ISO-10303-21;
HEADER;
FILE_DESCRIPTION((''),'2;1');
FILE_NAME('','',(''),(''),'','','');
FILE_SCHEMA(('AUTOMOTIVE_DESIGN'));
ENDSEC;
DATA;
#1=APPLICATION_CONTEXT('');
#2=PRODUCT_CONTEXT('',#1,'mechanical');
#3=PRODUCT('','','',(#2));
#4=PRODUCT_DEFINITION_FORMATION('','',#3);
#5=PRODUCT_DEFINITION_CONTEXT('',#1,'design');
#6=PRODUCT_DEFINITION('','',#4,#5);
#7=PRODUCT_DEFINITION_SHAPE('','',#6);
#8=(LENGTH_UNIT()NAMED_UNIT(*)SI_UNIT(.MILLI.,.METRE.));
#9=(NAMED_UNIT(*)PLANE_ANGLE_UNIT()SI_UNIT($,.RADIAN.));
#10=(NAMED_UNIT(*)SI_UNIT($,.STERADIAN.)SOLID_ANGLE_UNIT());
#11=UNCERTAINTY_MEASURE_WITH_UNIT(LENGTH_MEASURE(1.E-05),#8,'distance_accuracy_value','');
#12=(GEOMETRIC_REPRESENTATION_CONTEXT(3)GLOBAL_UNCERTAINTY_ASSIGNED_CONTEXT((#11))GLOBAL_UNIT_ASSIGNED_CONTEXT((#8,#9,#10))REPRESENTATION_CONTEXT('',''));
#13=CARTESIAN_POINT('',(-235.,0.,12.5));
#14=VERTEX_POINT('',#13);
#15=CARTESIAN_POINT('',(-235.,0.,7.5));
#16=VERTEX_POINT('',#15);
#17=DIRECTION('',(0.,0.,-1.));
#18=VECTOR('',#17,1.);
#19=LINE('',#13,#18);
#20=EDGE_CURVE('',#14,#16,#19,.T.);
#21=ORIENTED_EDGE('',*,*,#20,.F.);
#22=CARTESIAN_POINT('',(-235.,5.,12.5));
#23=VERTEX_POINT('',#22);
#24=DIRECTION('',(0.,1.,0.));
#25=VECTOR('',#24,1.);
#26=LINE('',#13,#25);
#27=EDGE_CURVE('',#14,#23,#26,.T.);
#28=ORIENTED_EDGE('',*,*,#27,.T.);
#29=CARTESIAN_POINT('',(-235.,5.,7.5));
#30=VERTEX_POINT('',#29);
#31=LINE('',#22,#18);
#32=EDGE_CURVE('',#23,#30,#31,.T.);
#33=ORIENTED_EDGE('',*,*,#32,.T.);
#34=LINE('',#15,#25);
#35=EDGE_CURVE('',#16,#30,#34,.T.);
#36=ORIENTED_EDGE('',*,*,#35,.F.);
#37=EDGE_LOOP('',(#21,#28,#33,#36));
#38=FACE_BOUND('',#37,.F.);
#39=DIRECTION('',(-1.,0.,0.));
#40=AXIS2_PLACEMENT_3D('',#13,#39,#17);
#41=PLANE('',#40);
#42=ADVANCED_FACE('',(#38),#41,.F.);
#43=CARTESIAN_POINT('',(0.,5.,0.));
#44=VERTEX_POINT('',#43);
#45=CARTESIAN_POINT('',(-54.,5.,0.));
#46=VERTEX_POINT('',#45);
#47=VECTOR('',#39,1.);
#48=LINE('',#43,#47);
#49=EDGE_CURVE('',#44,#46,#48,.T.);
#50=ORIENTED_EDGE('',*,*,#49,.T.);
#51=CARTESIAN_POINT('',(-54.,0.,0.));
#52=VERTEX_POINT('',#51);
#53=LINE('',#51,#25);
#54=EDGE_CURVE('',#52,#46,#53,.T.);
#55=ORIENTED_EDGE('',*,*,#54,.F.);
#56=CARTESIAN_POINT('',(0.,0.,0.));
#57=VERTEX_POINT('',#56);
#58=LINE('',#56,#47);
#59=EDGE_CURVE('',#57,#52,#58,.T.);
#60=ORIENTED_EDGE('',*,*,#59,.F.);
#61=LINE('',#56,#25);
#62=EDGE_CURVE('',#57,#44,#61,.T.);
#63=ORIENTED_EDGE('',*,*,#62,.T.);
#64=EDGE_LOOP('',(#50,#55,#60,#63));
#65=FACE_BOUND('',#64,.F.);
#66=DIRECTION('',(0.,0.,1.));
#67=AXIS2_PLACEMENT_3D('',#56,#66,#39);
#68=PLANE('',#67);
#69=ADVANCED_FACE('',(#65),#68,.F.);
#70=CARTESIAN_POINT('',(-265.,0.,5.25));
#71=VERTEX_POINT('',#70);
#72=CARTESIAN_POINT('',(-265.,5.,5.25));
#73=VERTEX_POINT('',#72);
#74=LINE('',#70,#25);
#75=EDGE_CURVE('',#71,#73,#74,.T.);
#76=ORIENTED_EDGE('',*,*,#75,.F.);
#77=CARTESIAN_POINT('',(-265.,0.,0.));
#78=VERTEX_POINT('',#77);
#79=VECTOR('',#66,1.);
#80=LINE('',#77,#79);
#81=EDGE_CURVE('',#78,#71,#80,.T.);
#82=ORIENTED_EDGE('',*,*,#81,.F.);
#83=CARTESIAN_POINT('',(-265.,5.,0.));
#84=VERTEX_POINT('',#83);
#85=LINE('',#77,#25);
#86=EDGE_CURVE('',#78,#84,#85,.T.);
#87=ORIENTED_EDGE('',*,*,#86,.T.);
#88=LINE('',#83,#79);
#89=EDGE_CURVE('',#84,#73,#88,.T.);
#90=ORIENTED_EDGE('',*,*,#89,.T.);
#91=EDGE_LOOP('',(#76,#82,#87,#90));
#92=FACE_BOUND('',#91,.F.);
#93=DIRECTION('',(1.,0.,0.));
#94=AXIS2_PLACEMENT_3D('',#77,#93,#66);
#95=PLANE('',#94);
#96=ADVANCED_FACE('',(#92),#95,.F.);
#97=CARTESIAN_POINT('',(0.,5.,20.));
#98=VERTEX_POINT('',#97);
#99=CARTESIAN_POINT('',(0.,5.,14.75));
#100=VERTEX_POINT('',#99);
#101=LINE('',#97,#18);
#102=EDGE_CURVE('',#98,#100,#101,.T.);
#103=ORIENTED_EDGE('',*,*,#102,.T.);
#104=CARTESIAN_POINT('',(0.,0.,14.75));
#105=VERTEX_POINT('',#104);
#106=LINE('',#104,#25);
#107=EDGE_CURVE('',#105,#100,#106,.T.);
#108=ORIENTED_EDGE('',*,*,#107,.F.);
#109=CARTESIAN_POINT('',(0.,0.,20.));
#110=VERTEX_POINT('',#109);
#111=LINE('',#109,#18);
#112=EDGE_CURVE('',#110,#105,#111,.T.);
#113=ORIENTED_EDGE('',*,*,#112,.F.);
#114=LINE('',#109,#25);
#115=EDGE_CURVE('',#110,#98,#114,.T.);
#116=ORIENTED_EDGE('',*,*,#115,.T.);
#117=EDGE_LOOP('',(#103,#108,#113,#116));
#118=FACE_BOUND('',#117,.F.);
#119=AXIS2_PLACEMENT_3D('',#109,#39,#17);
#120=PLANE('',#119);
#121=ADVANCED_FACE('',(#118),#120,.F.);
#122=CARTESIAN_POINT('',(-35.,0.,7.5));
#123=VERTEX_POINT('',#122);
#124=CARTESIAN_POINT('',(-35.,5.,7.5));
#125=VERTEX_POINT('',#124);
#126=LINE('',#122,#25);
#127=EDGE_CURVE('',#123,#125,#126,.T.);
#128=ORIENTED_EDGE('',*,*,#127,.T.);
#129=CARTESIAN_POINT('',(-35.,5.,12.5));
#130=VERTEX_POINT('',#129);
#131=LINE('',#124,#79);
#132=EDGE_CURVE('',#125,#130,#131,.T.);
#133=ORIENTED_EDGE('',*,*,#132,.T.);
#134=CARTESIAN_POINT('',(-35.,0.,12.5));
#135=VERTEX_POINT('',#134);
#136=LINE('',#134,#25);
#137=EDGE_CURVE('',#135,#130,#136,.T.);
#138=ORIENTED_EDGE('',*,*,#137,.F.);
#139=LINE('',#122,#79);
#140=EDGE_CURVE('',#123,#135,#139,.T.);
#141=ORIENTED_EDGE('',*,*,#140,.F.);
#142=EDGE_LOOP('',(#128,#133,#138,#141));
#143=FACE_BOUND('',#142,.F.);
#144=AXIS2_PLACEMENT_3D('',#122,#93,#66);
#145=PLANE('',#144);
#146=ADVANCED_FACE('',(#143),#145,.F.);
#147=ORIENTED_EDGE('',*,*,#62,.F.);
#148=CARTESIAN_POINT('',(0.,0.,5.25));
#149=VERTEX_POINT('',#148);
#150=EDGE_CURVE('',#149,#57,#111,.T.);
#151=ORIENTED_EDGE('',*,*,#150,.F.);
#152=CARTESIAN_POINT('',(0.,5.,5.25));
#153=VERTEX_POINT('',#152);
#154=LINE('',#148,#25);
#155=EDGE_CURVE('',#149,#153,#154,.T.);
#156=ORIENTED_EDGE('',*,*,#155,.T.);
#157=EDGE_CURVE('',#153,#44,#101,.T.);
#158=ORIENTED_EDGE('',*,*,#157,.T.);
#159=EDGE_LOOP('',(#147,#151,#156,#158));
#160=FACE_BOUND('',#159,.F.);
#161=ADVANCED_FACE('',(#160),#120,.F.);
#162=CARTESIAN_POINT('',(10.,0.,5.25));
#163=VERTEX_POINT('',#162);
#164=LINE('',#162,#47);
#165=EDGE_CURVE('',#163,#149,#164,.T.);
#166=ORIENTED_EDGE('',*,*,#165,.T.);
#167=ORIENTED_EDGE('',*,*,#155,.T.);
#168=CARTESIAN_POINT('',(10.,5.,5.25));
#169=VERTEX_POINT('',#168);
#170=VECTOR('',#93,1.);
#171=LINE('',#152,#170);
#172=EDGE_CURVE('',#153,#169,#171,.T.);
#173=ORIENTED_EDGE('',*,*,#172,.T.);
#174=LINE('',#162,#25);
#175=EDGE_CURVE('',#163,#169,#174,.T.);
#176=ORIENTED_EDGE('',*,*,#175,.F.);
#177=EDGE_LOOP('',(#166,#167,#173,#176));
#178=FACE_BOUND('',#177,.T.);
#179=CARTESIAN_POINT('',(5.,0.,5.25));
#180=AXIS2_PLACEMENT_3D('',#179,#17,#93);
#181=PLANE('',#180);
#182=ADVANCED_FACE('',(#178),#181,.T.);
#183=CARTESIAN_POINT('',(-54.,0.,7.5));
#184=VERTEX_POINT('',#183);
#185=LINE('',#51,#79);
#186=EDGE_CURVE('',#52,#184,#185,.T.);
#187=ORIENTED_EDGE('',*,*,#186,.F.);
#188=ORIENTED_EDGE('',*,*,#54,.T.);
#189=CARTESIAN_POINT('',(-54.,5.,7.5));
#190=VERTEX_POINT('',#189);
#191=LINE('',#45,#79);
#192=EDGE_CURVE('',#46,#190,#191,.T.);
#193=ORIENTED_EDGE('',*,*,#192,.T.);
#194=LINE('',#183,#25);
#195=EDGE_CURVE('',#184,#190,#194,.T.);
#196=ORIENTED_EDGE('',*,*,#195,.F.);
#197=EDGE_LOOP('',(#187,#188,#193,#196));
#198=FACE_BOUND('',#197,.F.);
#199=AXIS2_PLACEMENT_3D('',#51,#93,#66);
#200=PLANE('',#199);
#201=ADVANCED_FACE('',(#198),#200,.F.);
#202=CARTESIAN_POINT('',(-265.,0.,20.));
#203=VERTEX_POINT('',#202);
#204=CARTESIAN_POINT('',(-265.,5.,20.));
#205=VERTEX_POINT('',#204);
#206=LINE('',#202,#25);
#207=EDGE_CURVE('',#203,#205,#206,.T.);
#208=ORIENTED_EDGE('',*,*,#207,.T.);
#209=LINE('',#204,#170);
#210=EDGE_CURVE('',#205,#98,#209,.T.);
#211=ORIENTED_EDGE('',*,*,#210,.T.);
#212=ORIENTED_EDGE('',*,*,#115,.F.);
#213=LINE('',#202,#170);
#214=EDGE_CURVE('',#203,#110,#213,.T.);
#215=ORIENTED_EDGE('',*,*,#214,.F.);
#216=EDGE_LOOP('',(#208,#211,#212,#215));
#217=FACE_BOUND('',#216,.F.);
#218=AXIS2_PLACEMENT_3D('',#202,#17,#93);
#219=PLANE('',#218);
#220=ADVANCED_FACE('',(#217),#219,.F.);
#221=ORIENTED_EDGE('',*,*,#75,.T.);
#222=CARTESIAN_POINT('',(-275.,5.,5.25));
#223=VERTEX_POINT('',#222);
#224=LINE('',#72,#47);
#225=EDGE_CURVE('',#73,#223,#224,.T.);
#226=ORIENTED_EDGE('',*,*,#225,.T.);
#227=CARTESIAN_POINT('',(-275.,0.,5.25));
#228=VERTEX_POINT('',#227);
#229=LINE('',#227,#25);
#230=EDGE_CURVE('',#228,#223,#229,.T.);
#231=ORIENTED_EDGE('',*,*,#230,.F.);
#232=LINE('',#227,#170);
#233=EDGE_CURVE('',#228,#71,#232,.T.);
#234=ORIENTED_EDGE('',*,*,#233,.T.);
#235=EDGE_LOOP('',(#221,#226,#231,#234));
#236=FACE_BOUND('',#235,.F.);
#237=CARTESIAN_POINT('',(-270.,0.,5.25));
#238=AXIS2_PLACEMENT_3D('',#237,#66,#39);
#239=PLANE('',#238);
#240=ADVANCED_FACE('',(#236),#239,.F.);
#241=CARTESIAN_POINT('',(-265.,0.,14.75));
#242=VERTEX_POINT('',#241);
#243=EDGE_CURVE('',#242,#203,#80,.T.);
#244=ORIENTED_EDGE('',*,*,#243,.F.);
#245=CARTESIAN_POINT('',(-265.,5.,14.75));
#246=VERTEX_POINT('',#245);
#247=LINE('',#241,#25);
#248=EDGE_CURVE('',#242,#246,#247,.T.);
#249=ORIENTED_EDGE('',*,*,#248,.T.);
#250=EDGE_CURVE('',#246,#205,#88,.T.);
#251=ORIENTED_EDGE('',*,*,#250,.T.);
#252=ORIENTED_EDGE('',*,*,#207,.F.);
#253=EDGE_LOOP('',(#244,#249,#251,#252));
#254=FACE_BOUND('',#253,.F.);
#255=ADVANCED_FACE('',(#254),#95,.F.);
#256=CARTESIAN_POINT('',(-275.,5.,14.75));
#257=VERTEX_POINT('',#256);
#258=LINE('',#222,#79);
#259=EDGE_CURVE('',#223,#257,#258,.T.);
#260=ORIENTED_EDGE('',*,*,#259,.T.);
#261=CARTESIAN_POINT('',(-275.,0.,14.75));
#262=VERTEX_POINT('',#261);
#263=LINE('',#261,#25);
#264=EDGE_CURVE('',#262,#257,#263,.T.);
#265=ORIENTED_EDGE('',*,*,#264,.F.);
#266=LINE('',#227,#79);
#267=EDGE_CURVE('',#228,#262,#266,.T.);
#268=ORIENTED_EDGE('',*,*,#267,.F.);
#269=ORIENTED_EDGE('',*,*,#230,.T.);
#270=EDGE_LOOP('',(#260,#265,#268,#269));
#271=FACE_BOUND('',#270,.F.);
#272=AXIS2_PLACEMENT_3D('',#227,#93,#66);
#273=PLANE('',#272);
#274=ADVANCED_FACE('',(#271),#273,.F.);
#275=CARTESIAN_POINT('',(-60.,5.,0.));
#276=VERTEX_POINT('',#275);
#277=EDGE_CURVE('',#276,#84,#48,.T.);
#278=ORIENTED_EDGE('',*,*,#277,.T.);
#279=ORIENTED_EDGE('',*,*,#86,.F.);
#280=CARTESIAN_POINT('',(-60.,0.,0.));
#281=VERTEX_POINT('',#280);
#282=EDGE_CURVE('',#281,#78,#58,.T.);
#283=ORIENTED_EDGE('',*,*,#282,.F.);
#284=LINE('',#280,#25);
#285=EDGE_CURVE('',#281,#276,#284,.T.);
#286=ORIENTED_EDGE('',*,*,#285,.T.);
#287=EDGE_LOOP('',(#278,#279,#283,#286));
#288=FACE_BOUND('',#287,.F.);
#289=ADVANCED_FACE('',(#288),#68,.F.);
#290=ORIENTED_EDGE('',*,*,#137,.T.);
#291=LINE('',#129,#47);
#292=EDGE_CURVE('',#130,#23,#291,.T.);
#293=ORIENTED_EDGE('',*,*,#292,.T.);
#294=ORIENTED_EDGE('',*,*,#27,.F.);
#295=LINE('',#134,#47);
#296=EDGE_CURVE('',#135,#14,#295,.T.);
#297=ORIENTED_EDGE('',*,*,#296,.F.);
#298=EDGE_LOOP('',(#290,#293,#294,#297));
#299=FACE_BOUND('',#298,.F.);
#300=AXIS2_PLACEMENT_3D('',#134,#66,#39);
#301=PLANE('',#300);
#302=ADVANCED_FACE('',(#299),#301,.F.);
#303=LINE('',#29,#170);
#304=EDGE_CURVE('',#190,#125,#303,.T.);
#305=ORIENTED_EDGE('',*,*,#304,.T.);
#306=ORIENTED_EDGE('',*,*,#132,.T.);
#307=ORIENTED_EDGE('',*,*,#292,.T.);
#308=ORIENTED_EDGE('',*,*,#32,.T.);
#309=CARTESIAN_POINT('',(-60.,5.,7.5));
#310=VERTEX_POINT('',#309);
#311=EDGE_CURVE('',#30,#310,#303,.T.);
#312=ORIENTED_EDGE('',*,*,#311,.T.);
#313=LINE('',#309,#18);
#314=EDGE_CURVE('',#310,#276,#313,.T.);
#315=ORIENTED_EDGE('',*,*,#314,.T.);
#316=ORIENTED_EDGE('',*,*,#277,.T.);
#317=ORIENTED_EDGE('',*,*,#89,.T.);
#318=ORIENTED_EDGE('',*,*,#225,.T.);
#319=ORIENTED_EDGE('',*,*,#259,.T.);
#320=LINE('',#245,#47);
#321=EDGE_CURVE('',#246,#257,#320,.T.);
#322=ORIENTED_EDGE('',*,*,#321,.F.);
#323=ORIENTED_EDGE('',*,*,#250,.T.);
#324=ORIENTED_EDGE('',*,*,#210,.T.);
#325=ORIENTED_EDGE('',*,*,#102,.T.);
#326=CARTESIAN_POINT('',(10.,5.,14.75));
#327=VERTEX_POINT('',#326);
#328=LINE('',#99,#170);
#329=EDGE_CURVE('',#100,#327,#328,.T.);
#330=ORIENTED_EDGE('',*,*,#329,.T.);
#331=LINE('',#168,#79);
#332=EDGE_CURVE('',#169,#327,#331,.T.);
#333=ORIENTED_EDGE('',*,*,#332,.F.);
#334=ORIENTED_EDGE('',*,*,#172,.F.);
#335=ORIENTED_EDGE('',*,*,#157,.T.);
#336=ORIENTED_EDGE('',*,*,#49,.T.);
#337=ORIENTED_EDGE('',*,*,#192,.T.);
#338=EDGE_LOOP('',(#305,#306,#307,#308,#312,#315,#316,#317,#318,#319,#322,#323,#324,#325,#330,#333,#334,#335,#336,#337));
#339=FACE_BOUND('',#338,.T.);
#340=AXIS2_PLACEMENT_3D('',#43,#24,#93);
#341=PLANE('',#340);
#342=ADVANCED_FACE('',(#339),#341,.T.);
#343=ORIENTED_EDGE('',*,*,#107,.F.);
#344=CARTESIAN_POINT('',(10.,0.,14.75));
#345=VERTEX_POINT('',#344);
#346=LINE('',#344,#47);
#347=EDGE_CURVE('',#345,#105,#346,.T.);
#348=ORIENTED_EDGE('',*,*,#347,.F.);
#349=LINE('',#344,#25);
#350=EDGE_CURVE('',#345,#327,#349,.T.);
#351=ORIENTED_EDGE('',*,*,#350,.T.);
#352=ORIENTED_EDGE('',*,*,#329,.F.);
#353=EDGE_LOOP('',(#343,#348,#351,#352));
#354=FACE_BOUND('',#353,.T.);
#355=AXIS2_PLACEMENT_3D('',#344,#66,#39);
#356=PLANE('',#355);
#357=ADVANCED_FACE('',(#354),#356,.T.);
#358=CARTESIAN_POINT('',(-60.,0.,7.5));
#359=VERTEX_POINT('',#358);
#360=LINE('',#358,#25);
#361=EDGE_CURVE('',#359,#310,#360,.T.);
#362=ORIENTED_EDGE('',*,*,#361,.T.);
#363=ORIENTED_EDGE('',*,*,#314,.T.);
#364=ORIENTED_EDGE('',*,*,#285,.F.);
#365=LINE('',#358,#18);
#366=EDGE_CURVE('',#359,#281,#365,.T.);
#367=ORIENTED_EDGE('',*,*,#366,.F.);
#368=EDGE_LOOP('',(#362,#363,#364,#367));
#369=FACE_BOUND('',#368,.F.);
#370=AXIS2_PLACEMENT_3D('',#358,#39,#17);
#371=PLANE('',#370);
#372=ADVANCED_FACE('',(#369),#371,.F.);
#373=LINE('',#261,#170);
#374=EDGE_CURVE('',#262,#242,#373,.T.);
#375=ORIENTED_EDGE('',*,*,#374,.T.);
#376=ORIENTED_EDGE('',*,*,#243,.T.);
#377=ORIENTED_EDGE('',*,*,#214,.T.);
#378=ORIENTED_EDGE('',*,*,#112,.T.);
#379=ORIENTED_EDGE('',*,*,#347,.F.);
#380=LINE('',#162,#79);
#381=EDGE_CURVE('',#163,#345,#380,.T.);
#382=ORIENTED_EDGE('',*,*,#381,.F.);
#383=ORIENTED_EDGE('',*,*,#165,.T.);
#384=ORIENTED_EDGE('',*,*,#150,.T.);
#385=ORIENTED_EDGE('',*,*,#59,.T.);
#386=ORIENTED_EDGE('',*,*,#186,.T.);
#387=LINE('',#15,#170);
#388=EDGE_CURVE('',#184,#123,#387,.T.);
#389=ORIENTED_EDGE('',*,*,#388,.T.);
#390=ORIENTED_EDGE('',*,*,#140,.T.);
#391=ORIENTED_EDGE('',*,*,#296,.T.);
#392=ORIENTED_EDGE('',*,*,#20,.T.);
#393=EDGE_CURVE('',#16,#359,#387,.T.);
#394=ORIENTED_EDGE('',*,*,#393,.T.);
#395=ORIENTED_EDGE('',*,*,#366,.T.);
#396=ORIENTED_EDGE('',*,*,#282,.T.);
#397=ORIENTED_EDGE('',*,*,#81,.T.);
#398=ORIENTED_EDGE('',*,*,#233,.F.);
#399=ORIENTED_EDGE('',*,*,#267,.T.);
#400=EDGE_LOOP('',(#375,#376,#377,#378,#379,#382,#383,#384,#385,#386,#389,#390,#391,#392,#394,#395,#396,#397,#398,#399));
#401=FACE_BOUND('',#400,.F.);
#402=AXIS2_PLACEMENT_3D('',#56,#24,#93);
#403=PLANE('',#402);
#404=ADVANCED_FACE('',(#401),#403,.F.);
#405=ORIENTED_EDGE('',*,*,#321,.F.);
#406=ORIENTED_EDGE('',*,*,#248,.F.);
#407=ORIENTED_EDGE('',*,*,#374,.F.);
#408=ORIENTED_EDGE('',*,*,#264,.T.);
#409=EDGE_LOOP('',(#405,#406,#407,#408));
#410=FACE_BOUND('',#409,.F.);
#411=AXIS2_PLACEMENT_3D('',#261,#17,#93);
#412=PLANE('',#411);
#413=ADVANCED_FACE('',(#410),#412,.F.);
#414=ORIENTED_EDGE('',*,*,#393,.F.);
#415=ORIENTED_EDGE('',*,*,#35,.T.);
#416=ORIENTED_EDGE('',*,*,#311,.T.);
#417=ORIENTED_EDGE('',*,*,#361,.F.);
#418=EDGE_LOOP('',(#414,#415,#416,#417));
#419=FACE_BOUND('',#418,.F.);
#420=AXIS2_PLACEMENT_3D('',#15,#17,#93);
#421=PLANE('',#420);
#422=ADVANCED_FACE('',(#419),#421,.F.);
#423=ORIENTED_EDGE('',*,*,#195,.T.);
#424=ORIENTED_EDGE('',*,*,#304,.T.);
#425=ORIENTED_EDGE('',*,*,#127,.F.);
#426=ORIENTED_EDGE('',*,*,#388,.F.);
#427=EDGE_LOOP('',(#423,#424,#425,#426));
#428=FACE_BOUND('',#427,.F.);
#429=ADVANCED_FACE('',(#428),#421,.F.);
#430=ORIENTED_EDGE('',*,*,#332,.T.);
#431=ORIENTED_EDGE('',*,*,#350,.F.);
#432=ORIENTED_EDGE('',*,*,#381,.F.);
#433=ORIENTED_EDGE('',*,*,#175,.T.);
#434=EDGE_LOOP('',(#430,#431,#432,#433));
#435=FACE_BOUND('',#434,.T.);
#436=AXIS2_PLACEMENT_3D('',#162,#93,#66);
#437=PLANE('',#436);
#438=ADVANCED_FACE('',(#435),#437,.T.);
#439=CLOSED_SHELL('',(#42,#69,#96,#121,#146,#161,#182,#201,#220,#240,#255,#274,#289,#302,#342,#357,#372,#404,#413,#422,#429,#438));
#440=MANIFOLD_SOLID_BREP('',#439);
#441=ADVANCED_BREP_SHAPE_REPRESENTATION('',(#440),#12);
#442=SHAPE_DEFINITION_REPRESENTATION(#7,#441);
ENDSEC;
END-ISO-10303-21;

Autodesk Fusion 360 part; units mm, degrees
sketch "Sketch1" plane through (0, 0, 0) normal (0, 1, 0) x (1, 0, 0)
  line L0 (0, 0) -> (-265, 0)
  line L1 (-265, 0) -> (-265, -20)
  line L2 (-265, -20) -> (0, -20)
  line L3 (0, -20) -> (0, 0)
  dimension "d1" = 265
  dimension "d2" = 20
extrude "Extrude1" add sketch "Sketch1" along normal blind 5
sketch "Sketch3" plane through (0, 0, 0) normal (0, 1, 0) x (1, 0, 0)
  line L0 (-235, -7.5) -> (-35, -7.5)
  line L1 (-35, -7.5) -> (-35, -12.5)
  line L2 (-35, -12.5) -> (-235, -12.5)
  line L3 (-235, -12.5) -> (-235, -7.5)
  line L4 (0, 0) -> (-265, 0)
  line L5 (0, -20) -> (0, 0)
  dimension "d9" = 200
  dimension "d10" = 5
extrude "Extrude2" cut sketch "Sketch3" along normal blind 5
sketch "Sketch4" plane through (0, 0, 0) normal (0, 1, 0) x (1, 0, 0)
  line L0 (0, -5.25) -> (5, -5.25)
  line L1 (5, -5.25) -> (5, -14.75)
  line L2 (5, -14.75) -> (0, -14.75)
  line L3 (0, -14.75) -> (0, -5.25)
  line L4 (0, -20) -> (0, 0)
  dimension "d13" = 5
  dimension "d14" = 9.5
extrude "Extrude3" add sketch "Sketch4" along normal blind 5
sketch "Sketch5" plane through (-265, 0, 0) normal (-1, 0, 0) x (0, 0, 1)
  line L0 (0, 0) -> (20, 0)
  line L1 (20, 0) -> (20, 5)
  line L2 (20, 5) -> (0, 5)
  line L3 (0, 5) -> (0, 0)
sketch "Sketch6" plane through (0, 0, 0) normal (0, 1, 0) x (1, 0, 0)
  line L0 (-265, -5.25) -> (-270, -5.25)
  line L1 (-270, -5.25) -> (-270, -14.75)
  line L2 (-270, -14.75) -> (-265, -14.75)
  line L3 (-265, -14.75) -> (-265, -5.25)
  line L4 (-265, 0) -> (-265, -20)
  line L5 (-265, -20) -> (-265, 0)
  dimension "d17" = 9.5
  dimension "d18" = 5
extrude "Extrude4" add sketch "Sketch6" along normal blind 5
sketch "Sketch7" plane through (0, 0, 0) normal (0, 1, 0) x (1, 0, 0)
  line L0 (-60, 0) -> (-54, 0)
  line L1 (-54, 0) -> (-54, -7.5)
  line L2 (-54, -7.5) -> (-60, -7.5)
  line L3 (-60, -7.5) -> (-60, 0)
  line L4 (0, 0) -> (-265, 0)
  dimension "d21" = 6
  dimension "d22" = 7.5
extrude "Extrude5" cut sketch "Sketch7" along normal blind 5
sketch "Sketch8" plane through (0, 0, 0) normal (0, 1, 0) x (1, 0, 0)
  line L0 (5, -5.25) -> (10, -5.25)
  line L1 (10, -5.25) -> (10, -14.75)
  line L2 (10, -14.75) -> (5, -14.75)
  line L3 (5, -14.75) -> (5, -5.25)
  point P0 (5, -5.25)
  dimension "d25" = 9.5
extrude "Extrude6" add sketch "Sketch8" along normal blind 5
sketch "Sketch9" plane through (0, 0, 0) normal (0, 1, 0) x (1, 0, 0)
  line L0 (-270, -5.25) -> (-275, -5.25)
  line L1 (-275, -5.25) -> (-275, -14.75)
  line L2 (-275, -14.75) -> (-270, -14.75)
  line L3 (-270, -14.75) -> (-270, -5.25)
  point P0 (-270, -5.25)
  dimension "d28" = 5
  dimension "d29" = 9.5
extrude "Extrude7" add sketch "Sketch9" along normal blind 5
